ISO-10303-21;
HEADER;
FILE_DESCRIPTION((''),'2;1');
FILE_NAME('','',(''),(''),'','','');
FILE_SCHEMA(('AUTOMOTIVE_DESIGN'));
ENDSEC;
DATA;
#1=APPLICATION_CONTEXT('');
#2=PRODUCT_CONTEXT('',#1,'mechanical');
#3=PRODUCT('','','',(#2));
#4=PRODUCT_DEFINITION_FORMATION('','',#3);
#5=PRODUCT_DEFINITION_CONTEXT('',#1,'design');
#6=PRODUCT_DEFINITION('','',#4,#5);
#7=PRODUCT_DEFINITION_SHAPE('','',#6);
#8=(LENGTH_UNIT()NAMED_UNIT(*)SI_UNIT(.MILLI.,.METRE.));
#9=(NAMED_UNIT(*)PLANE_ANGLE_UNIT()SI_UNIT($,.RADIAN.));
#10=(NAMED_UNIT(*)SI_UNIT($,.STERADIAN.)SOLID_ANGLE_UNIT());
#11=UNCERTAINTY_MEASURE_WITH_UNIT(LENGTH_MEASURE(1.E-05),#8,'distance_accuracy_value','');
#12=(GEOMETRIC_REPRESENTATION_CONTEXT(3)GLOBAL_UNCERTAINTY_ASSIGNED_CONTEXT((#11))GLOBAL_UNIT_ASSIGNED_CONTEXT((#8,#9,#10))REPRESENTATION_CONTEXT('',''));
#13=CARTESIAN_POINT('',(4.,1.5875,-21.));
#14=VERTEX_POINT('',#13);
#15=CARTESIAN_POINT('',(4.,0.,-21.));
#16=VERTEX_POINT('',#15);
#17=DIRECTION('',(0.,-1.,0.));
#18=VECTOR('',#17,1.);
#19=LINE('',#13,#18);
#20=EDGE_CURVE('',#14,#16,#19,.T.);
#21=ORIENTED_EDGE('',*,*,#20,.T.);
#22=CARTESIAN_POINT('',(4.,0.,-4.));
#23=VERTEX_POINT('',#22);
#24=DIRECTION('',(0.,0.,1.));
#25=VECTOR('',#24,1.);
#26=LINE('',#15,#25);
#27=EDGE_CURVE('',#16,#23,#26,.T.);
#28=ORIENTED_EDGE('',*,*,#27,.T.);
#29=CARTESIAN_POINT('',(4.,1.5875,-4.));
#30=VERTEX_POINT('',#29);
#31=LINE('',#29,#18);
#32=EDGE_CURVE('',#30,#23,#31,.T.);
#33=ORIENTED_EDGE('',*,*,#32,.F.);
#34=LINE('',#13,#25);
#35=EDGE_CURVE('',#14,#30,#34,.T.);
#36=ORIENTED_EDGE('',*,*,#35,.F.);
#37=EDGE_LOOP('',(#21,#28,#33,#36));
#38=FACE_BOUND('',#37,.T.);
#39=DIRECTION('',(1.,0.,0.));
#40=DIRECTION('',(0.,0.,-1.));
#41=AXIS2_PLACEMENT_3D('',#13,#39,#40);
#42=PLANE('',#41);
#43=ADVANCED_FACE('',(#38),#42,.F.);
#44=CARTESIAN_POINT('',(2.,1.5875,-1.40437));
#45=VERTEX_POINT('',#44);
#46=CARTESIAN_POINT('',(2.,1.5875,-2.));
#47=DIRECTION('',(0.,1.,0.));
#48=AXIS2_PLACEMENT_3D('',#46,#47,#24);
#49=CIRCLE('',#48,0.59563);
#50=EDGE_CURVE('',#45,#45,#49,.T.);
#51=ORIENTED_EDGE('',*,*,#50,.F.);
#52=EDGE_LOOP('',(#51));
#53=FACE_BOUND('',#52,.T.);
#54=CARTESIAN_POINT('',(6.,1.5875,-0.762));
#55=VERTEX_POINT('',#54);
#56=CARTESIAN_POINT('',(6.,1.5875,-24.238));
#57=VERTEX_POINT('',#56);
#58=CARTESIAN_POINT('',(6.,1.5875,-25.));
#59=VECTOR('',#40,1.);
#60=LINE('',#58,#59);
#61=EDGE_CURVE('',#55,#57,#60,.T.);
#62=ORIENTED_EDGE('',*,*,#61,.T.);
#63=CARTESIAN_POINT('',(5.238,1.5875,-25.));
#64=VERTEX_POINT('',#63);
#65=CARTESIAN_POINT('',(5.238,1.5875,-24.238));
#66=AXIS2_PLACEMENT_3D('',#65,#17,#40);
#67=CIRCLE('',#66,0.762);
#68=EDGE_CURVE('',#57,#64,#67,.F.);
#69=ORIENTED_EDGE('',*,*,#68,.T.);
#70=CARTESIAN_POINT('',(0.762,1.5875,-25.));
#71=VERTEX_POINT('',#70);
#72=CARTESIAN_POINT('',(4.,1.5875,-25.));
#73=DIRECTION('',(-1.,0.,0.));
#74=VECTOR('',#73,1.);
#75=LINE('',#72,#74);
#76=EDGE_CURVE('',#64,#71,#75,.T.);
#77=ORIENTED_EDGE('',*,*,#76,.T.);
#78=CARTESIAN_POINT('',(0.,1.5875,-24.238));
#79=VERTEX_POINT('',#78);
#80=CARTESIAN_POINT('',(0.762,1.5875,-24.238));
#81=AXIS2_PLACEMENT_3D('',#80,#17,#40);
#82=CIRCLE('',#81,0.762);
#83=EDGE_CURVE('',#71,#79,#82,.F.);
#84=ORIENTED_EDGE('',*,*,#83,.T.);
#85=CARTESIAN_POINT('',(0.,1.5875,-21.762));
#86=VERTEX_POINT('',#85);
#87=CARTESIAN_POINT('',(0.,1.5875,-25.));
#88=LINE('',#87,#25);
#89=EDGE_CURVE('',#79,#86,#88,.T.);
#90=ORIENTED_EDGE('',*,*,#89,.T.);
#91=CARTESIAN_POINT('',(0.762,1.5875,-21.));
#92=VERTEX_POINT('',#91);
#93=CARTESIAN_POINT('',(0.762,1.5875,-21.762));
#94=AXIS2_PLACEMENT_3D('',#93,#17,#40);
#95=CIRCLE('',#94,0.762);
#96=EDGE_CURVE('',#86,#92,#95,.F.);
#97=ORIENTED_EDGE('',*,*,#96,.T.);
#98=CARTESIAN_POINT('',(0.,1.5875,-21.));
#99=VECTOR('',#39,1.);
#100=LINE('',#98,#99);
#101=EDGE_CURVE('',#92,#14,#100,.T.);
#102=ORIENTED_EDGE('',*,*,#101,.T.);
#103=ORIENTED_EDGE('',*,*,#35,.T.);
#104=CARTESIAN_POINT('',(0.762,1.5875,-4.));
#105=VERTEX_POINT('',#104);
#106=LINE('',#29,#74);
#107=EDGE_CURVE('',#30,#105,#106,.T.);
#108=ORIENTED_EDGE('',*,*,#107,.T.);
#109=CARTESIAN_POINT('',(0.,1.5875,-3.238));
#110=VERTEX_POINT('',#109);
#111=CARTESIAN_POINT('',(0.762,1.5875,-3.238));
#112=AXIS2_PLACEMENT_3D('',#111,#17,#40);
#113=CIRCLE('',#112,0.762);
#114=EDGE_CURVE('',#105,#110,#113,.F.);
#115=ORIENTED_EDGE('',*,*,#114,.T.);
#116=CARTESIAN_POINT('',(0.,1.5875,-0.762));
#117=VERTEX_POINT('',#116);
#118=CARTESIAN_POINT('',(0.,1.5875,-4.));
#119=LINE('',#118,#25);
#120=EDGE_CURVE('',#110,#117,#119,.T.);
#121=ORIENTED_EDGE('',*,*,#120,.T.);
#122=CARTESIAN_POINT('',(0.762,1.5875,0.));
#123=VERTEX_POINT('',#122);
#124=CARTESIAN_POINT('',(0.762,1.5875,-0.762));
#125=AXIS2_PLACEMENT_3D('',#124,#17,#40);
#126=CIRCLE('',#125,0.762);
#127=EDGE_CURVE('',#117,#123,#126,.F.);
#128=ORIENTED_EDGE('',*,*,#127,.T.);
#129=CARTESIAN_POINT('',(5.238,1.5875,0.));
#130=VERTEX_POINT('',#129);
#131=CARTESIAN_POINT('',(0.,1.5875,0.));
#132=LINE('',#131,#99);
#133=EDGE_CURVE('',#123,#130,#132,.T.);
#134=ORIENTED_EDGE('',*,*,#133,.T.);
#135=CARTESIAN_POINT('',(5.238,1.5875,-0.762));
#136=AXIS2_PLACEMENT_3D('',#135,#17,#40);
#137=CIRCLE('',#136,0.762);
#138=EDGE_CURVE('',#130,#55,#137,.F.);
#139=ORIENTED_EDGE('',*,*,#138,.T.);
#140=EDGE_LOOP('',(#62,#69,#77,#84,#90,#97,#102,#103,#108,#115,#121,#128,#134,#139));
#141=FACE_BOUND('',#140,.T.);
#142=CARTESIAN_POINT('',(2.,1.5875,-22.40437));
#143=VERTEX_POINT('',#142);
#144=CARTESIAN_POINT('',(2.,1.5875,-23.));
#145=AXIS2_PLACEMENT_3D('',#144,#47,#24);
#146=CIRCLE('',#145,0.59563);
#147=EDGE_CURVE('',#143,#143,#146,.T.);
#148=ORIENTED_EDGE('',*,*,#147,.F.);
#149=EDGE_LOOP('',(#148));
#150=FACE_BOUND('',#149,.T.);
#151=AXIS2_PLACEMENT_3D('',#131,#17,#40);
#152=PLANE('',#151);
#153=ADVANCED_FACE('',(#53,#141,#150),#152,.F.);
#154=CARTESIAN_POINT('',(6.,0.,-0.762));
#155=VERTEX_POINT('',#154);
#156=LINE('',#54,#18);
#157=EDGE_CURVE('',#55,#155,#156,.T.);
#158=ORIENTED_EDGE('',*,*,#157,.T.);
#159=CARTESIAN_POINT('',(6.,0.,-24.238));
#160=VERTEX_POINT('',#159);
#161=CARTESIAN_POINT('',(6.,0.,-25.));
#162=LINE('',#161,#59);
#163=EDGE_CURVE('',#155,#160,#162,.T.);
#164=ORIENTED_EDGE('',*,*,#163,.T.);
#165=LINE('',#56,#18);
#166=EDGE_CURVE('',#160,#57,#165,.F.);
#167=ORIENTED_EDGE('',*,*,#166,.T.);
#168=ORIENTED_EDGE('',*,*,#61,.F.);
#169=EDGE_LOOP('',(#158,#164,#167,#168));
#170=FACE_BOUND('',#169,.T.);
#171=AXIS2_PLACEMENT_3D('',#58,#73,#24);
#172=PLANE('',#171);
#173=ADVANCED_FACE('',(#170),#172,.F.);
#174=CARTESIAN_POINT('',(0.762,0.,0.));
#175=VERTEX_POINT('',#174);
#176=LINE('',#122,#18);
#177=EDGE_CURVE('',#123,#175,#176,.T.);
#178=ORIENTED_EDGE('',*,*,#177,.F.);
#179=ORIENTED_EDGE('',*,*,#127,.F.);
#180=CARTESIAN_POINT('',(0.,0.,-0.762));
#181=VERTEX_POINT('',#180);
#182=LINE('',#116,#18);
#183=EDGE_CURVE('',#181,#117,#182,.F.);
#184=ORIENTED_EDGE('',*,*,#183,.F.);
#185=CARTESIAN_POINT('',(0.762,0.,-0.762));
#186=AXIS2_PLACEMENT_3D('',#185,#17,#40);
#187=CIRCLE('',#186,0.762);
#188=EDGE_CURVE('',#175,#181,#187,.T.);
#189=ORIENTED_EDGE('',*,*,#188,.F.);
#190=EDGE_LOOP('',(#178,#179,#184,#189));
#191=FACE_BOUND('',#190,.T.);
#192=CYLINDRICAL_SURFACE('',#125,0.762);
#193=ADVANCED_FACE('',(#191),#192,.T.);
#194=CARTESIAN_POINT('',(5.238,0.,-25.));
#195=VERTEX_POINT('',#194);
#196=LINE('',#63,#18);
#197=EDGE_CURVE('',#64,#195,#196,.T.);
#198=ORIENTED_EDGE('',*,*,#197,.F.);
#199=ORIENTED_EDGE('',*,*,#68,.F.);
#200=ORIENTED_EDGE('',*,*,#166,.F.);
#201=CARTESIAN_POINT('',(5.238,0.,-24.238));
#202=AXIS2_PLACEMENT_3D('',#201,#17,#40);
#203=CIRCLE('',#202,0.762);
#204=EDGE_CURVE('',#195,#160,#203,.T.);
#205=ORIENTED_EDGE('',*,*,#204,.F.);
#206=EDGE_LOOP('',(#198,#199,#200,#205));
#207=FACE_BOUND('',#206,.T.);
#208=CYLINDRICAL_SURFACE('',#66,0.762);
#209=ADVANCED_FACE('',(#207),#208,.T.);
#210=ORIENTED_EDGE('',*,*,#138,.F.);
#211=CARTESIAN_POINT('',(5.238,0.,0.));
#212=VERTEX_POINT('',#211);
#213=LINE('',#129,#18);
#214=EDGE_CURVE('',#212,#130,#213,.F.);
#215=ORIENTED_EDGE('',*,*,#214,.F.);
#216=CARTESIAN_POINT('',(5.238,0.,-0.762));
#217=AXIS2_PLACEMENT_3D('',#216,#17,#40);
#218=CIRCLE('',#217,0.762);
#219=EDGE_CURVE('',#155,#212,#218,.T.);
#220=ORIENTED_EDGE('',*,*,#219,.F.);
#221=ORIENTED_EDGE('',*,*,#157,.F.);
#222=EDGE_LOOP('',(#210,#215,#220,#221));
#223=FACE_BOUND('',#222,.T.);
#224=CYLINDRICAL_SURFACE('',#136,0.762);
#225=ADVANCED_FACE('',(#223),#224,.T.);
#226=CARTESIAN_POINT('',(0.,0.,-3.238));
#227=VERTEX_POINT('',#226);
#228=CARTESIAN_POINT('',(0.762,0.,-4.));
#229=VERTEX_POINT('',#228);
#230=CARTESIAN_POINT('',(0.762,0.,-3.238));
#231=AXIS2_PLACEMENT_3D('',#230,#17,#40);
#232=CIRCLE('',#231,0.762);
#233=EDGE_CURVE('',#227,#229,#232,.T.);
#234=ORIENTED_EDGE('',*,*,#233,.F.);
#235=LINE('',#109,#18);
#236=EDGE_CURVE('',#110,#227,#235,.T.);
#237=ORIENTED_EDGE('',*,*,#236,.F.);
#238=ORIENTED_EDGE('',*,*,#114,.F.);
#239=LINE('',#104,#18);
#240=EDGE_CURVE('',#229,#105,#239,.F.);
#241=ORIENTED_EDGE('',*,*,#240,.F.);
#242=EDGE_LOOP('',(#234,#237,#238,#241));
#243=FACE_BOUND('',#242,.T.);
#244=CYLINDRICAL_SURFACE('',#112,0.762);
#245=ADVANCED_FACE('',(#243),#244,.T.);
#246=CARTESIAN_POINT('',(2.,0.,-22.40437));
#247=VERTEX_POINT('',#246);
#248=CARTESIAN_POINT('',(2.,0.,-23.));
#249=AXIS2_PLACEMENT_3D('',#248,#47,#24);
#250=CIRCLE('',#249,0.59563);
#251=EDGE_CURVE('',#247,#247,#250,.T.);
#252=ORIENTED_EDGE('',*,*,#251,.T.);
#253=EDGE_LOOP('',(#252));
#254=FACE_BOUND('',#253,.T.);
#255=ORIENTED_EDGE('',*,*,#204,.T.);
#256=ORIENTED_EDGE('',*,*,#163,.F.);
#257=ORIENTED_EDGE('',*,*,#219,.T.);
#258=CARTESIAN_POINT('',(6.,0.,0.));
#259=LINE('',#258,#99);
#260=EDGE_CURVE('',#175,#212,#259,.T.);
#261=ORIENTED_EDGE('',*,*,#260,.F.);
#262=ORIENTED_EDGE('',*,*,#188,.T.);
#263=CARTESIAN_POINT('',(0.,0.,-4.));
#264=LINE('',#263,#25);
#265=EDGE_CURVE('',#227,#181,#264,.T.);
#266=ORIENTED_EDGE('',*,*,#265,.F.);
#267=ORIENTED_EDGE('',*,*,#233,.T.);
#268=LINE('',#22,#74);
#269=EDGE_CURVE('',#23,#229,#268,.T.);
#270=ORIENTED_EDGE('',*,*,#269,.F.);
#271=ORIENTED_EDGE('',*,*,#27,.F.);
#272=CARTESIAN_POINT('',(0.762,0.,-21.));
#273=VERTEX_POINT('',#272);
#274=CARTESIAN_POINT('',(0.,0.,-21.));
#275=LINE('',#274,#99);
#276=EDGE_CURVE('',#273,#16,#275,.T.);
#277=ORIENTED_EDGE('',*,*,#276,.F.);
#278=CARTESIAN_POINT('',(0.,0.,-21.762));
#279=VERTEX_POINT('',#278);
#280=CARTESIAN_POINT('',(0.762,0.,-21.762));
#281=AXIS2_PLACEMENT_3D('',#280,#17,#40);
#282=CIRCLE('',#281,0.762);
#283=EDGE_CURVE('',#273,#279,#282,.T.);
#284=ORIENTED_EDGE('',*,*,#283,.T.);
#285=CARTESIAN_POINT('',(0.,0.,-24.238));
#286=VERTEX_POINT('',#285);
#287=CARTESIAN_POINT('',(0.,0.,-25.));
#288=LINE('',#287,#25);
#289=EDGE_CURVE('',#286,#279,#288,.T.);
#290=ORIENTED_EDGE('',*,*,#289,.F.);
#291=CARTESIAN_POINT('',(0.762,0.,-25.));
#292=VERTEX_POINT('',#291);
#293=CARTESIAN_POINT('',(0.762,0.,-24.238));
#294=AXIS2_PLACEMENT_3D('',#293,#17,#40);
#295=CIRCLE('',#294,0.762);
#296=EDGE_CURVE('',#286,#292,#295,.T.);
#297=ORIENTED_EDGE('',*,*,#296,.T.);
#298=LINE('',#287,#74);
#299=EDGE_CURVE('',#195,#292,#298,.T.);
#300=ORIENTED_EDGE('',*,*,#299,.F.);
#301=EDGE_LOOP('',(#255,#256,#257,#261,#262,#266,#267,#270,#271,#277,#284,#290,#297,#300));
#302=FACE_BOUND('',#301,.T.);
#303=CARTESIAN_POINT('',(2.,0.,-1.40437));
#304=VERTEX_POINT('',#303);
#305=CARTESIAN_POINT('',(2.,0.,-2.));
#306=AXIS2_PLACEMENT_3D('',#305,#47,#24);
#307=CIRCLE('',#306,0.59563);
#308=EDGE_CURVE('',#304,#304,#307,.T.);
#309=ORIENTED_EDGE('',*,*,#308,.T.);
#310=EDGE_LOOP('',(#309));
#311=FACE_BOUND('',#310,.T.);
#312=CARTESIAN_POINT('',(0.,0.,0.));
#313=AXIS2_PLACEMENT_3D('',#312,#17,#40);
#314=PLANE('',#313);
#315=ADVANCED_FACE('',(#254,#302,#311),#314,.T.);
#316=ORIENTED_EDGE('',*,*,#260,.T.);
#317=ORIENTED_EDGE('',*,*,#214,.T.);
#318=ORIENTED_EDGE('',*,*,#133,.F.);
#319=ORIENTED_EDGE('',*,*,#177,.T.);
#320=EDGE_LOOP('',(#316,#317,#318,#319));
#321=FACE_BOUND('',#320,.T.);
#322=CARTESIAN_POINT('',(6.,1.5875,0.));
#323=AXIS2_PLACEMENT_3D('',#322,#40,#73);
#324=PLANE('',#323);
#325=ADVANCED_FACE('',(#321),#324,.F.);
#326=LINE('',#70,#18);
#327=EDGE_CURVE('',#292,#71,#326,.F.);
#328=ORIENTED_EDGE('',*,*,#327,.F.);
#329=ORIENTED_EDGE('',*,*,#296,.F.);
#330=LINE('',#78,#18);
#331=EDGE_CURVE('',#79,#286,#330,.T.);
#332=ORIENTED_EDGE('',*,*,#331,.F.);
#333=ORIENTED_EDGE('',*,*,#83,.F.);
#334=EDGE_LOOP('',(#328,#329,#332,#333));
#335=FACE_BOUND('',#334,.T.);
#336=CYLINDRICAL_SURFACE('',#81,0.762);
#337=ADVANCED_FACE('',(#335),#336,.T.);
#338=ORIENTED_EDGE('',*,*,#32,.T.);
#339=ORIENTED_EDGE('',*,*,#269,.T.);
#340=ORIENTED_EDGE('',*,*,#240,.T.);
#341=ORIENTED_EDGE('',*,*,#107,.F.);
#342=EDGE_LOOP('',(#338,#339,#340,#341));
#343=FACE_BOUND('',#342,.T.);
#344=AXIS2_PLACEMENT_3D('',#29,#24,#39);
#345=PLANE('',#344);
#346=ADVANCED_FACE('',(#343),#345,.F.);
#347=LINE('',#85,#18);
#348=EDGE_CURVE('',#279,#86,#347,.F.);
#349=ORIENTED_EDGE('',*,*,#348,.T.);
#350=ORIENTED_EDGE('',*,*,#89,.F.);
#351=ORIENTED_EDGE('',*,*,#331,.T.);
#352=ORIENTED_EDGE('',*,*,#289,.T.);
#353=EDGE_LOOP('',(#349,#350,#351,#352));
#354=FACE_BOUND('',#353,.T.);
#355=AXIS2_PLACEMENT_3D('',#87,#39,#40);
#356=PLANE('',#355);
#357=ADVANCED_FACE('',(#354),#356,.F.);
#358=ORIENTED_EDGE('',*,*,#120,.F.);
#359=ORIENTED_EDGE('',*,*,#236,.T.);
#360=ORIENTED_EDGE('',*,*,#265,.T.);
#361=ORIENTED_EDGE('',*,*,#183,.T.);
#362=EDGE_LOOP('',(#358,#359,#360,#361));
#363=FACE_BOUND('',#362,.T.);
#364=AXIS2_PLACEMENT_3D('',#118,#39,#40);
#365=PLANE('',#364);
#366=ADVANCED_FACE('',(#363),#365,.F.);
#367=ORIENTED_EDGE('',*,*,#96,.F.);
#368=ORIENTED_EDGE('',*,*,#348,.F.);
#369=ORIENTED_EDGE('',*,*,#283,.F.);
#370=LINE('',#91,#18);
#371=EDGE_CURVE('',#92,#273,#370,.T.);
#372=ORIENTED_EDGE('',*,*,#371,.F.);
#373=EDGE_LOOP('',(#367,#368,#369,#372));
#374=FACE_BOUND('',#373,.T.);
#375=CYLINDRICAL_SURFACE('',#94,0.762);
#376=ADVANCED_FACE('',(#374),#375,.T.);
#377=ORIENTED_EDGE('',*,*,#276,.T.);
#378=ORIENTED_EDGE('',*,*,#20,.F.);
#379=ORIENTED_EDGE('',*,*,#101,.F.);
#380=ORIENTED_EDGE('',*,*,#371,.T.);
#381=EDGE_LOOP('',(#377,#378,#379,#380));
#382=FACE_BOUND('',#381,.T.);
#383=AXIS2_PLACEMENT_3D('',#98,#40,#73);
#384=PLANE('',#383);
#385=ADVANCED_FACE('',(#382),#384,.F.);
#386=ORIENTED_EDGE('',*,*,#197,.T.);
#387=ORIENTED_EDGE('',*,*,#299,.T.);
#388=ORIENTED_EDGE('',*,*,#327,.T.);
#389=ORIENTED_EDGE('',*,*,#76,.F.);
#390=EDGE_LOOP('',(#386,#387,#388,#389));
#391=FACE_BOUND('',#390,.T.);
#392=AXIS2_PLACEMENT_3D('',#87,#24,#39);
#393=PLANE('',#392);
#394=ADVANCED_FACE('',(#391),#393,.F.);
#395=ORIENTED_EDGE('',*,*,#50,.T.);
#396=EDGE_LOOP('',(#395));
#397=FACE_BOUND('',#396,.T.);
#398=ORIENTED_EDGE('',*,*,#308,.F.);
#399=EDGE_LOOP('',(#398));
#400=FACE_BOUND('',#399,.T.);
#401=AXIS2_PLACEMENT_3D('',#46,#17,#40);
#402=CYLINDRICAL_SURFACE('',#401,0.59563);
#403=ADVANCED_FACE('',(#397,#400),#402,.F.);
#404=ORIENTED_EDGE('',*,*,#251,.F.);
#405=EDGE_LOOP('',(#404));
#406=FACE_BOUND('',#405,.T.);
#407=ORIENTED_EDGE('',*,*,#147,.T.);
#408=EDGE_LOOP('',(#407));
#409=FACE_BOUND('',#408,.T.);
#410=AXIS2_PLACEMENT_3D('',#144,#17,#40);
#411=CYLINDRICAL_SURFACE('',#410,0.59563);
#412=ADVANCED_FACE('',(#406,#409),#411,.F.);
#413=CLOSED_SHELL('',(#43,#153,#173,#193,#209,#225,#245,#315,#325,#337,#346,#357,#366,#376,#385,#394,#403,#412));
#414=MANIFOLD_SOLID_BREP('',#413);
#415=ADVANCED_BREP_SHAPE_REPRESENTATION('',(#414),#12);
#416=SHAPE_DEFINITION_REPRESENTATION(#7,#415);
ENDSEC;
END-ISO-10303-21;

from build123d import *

# Parameters (mm, degrees)
SKETCH1_R           = 0.59563
BOSS_EXTRUDE1_DEPTH = 1.5875
FILLET1_R           = 0.762


with BuildPart() as part:
    # Sketch1 → Boss-Extrude1 (new body)
    with BuildSketch(Plane(origin=(0, 0, 0), x_dir=(1, 0, 0), z_dir=(0, 1, 0))):
        Polygon((0, 25), (4, 25), (6, 25), (6, 0), (4, 0), (0, 0), (0, 4), (4, 4), (4, 21), (0, 21), align=None)
        with Locations((2, 23)):
            Circle(SKETCH1_R, mode=Mode.SUBTRACT)
        with Locations((2, 2)):
            Circle(SKETCH1_R, mode=Mode.SUBTRACT)
    extrude(amount=BOSS_EXTRUDE1_DEPTH)

    # Fillet1
    fillet1_edges = [part.edges().sort_by_distance(p)[0] for p in [
        (6, 0.79375, -25),
        (6, 0.79375, 0),
        (0, 0.79375, 0),
        (0, 0.79375, -4),
        (0, 0.79375, -21),
        (0, 0.79375, -25),
    ]]
    fillet(fillet1_edges, radius=FILLET1_R)


solid = part.part
